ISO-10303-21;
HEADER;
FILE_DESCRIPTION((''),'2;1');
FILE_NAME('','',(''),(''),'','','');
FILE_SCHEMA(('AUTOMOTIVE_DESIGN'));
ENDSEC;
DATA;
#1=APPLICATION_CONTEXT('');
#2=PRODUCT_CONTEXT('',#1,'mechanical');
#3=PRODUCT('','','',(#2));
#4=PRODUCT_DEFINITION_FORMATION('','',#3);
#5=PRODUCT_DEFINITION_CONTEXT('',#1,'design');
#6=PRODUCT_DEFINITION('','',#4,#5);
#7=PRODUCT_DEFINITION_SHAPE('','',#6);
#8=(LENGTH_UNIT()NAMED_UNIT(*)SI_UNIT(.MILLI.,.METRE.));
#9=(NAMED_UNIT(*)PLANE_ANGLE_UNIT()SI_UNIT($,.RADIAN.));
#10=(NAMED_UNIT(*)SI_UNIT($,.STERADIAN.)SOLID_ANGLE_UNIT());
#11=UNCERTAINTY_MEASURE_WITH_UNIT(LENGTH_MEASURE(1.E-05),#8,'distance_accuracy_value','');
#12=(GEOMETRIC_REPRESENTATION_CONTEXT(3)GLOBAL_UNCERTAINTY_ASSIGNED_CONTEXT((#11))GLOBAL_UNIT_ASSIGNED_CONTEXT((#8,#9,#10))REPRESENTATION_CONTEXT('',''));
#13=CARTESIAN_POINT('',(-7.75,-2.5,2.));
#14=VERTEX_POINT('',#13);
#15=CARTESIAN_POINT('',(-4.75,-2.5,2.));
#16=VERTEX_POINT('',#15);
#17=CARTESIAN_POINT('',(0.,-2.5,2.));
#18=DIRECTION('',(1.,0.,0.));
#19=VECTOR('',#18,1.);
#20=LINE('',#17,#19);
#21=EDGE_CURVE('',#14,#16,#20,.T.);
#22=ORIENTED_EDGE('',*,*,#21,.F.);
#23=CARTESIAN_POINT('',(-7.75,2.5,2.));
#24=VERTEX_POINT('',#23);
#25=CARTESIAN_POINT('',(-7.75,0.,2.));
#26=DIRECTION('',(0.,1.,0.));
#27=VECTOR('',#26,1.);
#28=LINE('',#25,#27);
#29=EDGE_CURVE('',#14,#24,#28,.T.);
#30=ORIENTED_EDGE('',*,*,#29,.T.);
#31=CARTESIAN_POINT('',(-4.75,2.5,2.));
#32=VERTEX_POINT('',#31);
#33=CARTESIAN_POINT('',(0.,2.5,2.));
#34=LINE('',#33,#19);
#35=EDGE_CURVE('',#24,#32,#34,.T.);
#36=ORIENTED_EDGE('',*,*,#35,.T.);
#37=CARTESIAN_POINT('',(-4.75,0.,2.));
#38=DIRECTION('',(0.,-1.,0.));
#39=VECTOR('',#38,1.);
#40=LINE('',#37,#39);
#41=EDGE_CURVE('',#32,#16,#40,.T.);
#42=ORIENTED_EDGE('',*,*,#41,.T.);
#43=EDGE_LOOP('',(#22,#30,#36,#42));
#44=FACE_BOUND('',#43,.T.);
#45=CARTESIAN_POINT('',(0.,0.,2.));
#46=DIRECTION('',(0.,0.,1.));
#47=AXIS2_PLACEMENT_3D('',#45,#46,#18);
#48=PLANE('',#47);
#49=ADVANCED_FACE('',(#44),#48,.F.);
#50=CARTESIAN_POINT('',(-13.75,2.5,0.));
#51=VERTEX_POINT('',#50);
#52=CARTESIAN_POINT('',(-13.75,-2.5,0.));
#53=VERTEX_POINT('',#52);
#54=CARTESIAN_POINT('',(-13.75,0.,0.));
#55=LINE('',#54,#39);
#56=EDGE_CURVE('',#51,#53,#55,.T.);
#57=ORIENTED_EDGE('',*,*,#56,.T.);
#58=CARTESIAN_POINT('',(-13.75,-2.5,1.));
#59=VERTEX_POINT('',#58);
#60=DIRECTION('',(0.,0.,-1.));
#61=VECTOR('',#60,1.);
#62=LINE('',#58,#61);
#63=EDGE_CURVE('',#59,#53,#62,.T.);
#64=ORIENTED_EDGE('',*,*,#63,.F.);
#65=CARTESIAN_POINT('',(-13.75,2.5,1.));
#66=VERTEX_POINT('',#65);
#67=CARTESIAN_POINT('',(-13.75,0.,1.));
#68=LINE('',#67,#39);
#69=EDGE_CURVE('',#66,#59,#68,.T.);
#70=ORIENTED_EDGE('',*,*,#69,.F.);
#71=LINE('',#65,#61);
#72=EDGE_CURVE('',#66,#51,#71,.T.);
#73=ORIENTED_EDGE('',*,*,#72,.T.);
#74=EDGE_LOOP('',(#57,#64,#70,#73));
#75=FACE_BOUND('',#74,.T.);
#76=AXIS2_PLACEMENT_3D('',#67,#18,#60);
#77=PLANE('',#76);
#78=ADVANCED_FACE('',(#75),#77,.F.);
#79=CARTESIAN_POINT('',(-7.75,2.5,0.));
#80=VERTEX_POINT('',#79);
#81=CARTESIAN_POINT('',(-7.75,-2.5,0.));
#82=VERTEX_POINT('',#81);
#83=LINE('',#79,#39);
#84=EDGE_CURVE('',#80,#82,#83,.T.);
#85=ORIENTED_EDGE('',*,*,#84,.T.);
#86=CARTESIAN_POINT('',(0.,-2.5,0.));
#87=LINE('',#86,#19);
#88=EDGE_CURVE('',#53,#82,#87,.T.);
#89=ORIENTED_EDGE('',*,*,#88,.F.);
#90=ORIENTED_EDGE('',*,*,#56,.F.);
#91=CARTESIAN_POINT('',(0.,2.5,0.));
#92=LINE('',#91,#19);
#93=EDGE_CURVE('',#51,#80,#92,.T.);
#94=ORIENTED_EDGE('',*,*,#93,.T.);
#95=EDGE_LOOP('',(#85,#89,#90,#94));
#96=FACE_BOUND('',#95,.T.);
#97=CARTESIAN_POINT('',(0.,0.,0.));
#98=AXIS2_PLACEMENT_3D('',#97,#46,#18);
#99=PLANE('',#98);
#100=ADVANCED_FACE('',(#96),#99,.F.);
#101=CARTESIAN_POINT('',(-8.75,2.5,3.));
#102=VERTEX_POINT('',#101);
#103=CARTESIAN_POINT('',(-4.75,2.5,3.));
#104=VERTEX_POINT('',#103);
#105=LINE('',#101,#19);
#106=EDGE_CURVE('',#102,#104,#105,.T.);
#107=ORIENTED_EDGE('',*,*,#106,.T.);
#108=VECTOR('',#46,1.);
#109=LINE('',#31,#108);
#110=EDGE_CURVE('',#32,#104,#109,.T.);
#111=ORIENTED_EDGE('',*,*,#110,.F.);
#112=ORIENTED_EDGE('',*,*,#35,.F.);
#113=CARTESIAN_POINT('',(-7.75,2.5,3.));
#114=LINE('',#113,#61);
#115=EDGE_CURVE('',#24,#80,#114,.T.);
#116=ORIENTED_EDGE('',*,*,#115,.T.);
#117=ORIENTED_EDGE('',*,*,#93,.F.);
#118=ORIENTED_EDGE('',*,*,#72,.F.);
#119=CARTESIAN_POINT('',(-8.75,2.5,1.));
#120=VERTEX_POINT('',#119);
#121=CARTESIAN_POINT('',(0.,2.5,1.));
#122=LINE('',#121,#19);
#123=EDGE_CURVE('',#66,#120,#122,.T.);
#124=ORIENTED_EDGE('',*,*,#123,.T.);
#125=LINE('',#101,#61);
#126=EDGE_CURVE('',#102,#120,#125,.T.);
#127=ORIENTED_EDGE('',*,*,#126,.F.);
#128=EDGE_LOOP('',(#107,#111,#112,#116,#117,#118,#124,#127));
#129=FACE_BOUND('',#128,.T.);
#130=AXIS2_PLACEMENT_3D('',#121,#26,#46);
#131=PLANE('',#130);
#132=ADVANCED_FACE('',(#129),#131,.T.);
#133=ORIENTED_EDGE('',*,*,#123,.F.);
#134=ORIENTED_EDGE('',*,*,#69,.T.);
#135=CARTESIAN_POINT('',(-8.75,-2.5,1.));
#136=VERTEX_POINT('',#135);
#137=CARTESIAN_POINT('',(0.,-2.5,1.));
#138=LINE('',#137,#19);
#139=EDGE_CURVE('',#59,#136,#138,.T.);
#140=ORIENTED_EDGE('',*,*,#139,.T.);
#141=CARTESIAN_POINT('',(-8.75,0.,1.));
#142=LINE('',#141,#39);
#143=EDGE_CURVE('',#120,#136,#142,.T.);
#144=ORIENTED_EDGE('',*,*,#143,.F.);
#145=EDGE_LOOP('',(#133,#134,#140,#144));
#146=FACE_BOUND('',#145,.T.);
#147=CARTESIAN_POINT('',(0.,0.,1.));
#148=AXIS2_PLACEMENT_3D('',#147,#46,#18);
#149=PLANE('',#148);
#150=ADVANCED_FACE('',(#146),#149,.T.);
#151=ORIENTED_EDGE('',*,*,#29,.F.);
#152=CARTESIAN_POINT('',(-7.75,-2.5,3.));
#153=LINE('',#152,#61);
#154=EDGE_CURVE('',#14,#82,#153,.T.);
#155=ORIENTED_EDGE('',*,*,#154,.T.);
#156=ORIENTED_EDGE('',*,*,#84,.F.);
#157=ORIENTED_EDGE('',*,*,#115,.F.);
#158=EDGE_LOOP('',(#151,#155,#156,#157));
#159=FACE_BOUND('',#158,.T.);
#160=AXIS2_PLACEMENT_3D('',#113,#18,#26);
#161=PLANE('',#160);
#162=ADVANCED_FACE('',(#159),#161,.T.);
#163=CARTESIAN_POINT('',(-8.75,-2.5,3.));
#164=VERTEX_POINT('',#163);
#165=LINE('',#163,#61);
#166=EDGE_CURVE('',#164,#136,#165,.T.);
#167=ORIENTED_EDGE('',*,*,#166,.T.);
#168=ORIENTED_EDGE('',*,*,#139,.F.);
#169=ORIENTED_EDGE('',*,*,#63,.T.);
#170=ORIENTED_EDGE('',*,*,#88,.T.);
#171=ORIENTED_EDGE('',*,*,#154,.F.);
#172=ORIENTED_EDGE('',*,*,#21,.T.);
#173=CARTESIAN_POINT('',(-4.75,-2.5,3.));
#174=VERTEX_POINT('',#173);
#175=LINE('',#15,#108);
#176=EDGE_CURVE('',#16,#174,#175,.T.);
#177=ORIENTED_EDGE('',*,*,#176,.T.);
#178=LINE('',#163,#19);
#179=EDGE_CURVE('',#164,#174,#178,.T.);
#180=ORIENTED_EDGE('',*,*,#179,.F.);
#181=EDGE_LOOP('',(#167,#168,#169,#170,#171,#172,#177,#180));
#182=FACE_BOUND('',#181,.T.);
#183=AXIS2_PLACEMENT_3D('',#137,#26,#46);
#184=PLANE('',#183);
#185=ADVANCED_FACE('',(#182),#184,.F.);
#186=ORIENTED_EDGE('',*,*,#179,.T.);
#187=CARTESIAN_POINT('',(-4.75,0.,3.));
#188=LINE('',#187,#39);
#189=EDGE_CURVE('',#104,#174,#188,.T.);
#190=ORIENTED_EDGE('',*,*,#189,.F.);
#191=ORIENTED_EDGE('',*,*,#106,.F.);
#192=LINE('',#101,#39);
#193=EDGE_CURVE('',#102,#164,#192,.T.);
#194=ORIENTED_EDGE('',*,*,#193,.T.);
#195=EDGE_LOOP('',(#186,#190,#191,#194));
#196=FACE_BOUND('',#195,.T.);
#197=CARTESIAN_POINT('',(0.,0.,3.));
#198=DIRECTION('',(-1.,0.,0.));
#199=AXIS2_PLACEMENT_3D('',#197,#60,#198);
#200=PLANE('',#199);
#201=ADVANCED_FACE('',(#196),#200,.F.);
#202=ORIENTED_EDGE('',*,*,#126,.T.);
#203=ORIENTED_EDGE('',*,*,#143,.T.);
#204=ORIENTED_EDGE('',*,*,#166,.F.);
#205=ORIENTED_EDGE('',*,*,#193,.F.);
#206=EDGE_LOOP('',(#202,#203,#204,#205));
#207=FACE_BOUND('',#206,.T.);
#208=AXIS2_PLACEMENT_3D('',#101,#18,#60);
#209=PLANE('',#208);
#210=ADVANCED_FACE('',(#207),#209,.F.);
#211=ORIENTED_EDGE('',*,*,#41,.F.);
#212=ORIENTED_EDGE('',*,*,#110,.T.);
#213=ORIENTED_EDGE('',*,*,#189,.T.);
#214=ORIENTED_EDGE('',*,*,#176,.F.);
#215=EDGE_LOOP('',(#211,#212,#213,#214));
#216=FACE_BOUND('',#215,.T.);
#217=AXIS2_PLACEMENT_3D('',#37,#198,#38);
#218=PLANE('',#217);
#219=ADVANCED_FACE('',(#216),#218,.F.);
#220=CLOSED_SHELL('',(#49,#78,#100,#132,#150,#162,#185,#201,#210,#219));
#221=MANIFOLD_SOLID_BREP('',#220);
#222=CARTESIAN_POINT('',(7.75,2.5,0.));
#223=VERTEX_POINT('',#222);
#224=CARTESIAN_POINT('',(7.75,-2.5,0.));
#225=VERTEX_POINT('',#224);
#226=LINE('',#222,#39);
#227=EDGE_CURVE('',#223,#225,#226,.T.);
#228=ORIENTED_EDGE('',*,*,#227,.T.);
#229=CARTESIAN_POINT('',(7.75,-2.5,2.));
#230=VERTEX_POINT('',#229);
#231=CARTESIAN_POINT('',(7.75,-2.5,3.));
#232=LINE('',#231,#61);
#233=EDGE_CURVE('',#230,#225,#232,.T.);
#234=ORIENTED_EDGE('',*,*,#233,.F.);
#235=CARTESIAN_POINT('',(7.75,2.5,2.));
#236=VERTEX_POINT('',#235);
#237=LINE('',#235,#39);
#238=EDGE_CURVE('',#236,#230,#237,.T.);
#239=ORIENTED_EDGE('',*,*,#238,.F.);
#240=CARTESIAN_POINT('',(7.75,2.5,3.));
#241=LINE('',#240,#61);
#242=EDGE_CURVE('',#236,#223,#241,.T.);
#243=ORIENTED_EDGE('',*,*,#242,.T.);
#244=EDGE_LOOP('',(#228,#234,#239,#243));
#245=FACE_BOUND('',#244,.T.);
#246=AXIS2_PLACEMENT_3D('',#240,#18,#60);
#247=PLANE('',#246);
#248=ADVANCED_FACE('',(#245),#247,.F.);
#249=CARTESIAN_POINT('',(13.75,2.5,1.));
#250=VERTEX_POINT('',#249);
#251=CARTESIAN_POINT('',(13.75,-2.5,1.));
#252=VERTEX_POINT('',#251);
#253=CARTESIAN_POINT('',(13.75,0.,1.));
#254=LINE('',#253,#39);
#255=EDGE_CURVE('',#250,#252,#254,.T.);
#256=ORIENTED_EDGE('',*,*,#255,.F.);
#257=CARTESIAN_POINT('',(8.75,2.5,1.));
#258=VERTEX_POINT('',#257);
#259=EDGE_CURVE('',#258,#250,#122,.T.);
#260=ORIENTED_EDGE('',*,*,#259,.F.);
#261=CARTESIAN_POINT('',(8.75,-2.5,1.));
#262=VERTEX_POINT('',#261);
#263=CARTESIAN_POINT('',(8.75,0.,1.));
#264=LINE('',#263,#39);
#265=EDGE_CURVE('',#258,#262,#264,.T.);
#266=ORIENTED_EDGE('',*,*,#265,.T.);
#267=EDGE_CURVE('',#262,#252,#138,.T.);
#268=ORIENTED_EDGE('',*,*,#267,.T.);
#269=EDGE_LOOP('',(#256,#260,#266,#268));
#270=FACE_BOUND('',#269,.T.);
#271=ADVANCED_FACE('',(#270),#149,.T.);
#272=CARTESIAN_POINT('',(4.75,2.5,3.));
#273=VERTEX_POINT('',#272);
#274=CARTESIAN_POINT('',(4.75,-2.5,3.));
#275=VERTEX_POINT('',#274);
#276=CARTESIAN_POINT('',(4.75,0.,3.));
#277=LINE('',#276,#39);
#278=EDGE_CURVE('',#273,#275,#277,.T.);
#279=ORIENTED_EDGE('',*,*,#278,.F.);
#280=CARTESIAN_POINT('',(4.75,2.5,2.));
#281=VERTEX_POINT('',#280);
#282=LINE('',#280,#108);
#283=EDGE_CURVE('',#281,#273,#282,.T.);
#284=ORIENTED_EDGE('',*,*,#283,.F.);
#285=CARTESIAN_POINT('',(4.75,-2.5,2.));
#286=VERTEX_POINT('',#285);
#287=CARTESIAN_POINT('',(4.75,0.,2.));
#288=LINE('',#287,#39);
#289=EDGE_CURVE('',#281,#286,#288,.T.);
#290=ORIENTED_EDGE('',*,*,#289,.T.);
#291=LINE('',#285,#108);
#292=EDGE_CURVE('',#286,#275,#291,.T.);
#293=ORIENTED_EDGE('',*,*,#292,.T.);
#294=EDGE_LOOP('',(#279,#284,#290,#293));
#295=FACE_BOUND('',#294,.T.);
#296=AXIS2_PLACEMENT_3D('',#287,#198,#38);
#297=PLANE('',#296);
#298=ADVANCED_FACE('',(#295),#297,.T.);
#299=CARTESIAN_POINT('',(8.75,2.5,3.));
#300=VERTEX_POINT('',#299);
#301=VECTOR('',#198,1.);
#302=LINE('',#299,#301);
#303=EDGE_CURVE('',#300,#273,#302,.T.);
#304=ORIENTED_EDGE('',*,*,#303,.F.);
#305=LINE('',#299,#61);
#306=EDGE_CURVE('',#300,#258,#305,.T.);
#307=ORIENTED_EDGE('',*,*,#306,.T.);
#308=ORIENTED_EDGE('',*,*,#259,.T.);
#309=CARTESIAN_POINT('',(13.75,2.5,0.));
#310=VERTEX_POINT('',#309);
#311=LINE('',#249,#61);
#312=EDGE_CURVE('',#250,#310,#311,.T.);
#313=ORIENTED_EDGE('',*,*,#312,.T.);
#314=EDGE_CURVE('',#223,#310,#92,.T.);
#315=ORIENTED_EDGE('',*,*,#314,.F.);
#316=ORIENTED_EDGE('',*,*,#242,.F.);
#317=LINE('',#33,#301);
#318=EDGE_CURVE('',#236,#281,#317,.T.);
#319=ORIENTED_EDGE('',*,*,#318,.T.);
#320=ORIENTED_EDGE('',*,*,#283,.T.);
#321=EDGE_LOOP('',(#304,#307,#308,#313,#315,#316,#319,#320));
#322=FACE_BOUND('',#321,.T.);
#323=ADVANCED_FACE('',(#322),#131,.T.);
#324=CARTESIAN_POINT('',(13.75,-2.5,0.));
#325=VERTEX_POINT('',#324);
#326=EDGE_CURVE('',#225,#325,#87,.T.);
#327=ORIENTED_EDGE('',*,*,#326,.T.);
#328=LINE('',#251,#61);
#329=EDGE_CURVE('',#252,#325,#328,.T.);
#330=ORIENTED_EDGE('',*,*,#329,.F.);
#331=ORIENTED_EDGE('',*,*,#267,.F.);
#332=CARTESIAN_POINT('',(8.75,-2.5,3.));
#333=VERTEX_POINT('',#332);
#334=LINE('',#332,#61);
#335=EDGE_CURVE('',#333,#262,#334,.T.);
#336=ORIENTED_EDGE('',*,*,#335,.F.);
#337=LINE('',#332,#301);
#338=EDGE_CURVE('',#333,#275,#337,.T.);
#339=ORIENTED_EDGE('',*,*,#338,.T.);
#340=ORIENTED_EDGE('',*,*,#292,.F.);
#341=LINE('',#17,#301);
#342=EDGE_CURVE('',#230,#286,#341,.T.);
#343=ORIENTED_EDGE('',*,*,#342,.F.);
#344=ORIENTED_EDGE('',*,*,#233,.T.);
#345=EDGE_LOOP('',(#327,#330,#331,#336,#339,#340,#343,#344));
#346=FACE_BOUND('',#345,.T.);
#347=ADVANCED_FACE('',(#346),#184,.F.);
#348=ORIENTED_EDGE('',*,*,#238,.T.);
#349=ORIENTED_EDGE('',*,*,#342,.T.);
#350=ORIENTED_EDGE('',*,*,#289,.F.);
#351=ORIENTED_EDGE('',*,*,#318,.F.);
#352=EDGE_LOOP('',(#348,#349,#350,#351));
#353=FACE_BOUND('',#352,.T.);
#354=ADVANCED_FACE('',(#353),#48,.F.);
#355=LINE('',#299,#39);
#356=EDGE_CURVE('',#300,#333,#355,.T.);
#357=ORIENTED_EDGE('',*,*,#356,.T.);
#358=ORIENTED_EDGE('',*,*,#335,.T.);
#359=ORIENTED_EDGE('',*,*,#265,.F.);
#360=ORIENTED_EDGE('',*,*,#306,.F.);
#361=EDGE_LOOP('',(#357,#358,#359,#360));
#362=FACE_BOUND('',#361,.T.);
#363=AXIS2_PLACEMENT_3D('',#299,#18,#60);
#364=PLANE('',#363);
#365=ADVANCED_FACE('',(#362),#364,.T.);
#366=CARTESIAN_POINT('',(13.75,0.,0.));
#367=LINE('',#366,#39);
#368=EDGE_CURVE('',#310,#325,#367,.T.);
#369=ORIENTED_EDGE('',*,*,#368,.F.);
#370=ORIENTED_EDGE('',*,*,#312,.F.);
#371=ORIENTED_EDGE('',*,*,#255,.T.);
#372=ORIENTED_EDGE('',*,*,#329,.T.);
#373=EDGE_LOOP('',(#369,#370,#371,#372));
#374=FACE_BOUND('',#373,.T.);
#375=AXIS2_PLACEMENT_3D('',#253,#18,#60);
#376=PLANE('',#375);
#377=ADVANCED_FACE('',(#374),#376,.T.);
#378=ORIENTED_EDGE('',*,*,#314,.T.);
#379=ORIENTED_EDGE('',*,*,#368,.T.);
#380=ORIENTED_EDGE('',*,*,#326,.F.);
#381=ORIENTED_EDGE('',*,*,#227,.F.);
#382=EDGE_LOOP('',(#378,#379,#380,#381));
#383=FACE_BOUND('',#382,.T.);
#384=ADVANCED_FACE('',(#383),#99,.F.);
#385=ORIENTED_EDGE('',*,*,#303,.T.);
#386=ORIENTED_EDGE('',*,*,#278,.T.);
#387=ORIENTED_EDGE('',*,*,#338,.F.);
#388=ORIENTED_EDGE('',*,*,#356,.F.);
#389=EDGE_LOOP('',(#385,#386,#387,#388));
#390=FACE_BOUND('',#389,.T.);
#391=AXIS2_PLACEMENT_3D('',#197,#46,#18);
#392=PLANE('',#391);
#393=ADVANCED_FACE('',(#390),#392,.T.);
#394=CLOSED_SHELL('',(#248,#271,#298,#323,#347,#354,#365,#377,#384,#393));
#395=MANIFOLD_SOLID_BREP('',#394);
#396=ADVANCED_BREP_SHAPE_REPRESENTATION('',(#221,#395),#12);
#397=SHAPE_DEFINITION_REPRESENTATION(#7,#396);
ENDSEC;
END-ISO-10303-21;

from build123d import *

# Parameters (mm, degrees)
SKETCH1_W             = 5
SKETCH1_H             = 5
BOSS_EXTRUDE1_DEPTH   = 1
BOSS_EXTRUDE1_2_DEPTH = 1
SKETCH2_W             = 1
SKETCH2_H             = 5
BOSS_EXTRUDE2_DEPTH   = 3
SKETCH3_W             = 3
SKETCH3_H             = 5
SKETCH3_W_2           = 4
BOSS_EXTRUDE3_DEPTH   = 1


with BuildPart() as part:
    # Sketch1 → Boss-Extrude1 (new body)
    with BuildSketch(Plane.XY):
        with Locations((-11.25, 0)):
            Rectangle(SKETCH1_W, SKETCH1_H)
    extrude(amount=BOSS_EXTRUDE1_DEPTH)



with BuildPart() as body_2:
    # Sketch1 → Boss-Extrude1 2 (new body)
    with BuildSketch(Plane.XY):
        with Locations((11.25, 0)):
            Rectangle(SKETCH1_W, SKETCH1_H)
    extrude(amount=BOSS_EXTRUDE1_2_DEPTH)


with BuildPart() as part_1:
    add(part.part)

    add(body_2.part)  # Boss-Extrude2 merges body 2
    # Sketch2 → Boss-Extrude2 (add)
    with BuildSketch(Plane.XY):
        with Locations((-8.25, 0)):
            Rectangle(SKETCH2_W, SKETCH2_H)
        with Locations((8.25, 0)):
            Rectangle(SKETCH2_W, SKETCH2_H)
    extrude(amount=BOSS_EXTRUDE2_DEPTH)

    # Sketch3 → Boss-Extrude3 (add)
    with BuildSketch(Plane.XY.offset(3)):
        with Locations((-6.25, 0)):
            Rectangle(SKETCH3_W, SKETCH3_H)
        with Locations((6.75, 0)):
            Rectangle(SKETCH3_W_2, SKETCH3_H)
    extrude(amount=-BOSS_EXTRUDE3_DEPTH)


solid = part_1.part
